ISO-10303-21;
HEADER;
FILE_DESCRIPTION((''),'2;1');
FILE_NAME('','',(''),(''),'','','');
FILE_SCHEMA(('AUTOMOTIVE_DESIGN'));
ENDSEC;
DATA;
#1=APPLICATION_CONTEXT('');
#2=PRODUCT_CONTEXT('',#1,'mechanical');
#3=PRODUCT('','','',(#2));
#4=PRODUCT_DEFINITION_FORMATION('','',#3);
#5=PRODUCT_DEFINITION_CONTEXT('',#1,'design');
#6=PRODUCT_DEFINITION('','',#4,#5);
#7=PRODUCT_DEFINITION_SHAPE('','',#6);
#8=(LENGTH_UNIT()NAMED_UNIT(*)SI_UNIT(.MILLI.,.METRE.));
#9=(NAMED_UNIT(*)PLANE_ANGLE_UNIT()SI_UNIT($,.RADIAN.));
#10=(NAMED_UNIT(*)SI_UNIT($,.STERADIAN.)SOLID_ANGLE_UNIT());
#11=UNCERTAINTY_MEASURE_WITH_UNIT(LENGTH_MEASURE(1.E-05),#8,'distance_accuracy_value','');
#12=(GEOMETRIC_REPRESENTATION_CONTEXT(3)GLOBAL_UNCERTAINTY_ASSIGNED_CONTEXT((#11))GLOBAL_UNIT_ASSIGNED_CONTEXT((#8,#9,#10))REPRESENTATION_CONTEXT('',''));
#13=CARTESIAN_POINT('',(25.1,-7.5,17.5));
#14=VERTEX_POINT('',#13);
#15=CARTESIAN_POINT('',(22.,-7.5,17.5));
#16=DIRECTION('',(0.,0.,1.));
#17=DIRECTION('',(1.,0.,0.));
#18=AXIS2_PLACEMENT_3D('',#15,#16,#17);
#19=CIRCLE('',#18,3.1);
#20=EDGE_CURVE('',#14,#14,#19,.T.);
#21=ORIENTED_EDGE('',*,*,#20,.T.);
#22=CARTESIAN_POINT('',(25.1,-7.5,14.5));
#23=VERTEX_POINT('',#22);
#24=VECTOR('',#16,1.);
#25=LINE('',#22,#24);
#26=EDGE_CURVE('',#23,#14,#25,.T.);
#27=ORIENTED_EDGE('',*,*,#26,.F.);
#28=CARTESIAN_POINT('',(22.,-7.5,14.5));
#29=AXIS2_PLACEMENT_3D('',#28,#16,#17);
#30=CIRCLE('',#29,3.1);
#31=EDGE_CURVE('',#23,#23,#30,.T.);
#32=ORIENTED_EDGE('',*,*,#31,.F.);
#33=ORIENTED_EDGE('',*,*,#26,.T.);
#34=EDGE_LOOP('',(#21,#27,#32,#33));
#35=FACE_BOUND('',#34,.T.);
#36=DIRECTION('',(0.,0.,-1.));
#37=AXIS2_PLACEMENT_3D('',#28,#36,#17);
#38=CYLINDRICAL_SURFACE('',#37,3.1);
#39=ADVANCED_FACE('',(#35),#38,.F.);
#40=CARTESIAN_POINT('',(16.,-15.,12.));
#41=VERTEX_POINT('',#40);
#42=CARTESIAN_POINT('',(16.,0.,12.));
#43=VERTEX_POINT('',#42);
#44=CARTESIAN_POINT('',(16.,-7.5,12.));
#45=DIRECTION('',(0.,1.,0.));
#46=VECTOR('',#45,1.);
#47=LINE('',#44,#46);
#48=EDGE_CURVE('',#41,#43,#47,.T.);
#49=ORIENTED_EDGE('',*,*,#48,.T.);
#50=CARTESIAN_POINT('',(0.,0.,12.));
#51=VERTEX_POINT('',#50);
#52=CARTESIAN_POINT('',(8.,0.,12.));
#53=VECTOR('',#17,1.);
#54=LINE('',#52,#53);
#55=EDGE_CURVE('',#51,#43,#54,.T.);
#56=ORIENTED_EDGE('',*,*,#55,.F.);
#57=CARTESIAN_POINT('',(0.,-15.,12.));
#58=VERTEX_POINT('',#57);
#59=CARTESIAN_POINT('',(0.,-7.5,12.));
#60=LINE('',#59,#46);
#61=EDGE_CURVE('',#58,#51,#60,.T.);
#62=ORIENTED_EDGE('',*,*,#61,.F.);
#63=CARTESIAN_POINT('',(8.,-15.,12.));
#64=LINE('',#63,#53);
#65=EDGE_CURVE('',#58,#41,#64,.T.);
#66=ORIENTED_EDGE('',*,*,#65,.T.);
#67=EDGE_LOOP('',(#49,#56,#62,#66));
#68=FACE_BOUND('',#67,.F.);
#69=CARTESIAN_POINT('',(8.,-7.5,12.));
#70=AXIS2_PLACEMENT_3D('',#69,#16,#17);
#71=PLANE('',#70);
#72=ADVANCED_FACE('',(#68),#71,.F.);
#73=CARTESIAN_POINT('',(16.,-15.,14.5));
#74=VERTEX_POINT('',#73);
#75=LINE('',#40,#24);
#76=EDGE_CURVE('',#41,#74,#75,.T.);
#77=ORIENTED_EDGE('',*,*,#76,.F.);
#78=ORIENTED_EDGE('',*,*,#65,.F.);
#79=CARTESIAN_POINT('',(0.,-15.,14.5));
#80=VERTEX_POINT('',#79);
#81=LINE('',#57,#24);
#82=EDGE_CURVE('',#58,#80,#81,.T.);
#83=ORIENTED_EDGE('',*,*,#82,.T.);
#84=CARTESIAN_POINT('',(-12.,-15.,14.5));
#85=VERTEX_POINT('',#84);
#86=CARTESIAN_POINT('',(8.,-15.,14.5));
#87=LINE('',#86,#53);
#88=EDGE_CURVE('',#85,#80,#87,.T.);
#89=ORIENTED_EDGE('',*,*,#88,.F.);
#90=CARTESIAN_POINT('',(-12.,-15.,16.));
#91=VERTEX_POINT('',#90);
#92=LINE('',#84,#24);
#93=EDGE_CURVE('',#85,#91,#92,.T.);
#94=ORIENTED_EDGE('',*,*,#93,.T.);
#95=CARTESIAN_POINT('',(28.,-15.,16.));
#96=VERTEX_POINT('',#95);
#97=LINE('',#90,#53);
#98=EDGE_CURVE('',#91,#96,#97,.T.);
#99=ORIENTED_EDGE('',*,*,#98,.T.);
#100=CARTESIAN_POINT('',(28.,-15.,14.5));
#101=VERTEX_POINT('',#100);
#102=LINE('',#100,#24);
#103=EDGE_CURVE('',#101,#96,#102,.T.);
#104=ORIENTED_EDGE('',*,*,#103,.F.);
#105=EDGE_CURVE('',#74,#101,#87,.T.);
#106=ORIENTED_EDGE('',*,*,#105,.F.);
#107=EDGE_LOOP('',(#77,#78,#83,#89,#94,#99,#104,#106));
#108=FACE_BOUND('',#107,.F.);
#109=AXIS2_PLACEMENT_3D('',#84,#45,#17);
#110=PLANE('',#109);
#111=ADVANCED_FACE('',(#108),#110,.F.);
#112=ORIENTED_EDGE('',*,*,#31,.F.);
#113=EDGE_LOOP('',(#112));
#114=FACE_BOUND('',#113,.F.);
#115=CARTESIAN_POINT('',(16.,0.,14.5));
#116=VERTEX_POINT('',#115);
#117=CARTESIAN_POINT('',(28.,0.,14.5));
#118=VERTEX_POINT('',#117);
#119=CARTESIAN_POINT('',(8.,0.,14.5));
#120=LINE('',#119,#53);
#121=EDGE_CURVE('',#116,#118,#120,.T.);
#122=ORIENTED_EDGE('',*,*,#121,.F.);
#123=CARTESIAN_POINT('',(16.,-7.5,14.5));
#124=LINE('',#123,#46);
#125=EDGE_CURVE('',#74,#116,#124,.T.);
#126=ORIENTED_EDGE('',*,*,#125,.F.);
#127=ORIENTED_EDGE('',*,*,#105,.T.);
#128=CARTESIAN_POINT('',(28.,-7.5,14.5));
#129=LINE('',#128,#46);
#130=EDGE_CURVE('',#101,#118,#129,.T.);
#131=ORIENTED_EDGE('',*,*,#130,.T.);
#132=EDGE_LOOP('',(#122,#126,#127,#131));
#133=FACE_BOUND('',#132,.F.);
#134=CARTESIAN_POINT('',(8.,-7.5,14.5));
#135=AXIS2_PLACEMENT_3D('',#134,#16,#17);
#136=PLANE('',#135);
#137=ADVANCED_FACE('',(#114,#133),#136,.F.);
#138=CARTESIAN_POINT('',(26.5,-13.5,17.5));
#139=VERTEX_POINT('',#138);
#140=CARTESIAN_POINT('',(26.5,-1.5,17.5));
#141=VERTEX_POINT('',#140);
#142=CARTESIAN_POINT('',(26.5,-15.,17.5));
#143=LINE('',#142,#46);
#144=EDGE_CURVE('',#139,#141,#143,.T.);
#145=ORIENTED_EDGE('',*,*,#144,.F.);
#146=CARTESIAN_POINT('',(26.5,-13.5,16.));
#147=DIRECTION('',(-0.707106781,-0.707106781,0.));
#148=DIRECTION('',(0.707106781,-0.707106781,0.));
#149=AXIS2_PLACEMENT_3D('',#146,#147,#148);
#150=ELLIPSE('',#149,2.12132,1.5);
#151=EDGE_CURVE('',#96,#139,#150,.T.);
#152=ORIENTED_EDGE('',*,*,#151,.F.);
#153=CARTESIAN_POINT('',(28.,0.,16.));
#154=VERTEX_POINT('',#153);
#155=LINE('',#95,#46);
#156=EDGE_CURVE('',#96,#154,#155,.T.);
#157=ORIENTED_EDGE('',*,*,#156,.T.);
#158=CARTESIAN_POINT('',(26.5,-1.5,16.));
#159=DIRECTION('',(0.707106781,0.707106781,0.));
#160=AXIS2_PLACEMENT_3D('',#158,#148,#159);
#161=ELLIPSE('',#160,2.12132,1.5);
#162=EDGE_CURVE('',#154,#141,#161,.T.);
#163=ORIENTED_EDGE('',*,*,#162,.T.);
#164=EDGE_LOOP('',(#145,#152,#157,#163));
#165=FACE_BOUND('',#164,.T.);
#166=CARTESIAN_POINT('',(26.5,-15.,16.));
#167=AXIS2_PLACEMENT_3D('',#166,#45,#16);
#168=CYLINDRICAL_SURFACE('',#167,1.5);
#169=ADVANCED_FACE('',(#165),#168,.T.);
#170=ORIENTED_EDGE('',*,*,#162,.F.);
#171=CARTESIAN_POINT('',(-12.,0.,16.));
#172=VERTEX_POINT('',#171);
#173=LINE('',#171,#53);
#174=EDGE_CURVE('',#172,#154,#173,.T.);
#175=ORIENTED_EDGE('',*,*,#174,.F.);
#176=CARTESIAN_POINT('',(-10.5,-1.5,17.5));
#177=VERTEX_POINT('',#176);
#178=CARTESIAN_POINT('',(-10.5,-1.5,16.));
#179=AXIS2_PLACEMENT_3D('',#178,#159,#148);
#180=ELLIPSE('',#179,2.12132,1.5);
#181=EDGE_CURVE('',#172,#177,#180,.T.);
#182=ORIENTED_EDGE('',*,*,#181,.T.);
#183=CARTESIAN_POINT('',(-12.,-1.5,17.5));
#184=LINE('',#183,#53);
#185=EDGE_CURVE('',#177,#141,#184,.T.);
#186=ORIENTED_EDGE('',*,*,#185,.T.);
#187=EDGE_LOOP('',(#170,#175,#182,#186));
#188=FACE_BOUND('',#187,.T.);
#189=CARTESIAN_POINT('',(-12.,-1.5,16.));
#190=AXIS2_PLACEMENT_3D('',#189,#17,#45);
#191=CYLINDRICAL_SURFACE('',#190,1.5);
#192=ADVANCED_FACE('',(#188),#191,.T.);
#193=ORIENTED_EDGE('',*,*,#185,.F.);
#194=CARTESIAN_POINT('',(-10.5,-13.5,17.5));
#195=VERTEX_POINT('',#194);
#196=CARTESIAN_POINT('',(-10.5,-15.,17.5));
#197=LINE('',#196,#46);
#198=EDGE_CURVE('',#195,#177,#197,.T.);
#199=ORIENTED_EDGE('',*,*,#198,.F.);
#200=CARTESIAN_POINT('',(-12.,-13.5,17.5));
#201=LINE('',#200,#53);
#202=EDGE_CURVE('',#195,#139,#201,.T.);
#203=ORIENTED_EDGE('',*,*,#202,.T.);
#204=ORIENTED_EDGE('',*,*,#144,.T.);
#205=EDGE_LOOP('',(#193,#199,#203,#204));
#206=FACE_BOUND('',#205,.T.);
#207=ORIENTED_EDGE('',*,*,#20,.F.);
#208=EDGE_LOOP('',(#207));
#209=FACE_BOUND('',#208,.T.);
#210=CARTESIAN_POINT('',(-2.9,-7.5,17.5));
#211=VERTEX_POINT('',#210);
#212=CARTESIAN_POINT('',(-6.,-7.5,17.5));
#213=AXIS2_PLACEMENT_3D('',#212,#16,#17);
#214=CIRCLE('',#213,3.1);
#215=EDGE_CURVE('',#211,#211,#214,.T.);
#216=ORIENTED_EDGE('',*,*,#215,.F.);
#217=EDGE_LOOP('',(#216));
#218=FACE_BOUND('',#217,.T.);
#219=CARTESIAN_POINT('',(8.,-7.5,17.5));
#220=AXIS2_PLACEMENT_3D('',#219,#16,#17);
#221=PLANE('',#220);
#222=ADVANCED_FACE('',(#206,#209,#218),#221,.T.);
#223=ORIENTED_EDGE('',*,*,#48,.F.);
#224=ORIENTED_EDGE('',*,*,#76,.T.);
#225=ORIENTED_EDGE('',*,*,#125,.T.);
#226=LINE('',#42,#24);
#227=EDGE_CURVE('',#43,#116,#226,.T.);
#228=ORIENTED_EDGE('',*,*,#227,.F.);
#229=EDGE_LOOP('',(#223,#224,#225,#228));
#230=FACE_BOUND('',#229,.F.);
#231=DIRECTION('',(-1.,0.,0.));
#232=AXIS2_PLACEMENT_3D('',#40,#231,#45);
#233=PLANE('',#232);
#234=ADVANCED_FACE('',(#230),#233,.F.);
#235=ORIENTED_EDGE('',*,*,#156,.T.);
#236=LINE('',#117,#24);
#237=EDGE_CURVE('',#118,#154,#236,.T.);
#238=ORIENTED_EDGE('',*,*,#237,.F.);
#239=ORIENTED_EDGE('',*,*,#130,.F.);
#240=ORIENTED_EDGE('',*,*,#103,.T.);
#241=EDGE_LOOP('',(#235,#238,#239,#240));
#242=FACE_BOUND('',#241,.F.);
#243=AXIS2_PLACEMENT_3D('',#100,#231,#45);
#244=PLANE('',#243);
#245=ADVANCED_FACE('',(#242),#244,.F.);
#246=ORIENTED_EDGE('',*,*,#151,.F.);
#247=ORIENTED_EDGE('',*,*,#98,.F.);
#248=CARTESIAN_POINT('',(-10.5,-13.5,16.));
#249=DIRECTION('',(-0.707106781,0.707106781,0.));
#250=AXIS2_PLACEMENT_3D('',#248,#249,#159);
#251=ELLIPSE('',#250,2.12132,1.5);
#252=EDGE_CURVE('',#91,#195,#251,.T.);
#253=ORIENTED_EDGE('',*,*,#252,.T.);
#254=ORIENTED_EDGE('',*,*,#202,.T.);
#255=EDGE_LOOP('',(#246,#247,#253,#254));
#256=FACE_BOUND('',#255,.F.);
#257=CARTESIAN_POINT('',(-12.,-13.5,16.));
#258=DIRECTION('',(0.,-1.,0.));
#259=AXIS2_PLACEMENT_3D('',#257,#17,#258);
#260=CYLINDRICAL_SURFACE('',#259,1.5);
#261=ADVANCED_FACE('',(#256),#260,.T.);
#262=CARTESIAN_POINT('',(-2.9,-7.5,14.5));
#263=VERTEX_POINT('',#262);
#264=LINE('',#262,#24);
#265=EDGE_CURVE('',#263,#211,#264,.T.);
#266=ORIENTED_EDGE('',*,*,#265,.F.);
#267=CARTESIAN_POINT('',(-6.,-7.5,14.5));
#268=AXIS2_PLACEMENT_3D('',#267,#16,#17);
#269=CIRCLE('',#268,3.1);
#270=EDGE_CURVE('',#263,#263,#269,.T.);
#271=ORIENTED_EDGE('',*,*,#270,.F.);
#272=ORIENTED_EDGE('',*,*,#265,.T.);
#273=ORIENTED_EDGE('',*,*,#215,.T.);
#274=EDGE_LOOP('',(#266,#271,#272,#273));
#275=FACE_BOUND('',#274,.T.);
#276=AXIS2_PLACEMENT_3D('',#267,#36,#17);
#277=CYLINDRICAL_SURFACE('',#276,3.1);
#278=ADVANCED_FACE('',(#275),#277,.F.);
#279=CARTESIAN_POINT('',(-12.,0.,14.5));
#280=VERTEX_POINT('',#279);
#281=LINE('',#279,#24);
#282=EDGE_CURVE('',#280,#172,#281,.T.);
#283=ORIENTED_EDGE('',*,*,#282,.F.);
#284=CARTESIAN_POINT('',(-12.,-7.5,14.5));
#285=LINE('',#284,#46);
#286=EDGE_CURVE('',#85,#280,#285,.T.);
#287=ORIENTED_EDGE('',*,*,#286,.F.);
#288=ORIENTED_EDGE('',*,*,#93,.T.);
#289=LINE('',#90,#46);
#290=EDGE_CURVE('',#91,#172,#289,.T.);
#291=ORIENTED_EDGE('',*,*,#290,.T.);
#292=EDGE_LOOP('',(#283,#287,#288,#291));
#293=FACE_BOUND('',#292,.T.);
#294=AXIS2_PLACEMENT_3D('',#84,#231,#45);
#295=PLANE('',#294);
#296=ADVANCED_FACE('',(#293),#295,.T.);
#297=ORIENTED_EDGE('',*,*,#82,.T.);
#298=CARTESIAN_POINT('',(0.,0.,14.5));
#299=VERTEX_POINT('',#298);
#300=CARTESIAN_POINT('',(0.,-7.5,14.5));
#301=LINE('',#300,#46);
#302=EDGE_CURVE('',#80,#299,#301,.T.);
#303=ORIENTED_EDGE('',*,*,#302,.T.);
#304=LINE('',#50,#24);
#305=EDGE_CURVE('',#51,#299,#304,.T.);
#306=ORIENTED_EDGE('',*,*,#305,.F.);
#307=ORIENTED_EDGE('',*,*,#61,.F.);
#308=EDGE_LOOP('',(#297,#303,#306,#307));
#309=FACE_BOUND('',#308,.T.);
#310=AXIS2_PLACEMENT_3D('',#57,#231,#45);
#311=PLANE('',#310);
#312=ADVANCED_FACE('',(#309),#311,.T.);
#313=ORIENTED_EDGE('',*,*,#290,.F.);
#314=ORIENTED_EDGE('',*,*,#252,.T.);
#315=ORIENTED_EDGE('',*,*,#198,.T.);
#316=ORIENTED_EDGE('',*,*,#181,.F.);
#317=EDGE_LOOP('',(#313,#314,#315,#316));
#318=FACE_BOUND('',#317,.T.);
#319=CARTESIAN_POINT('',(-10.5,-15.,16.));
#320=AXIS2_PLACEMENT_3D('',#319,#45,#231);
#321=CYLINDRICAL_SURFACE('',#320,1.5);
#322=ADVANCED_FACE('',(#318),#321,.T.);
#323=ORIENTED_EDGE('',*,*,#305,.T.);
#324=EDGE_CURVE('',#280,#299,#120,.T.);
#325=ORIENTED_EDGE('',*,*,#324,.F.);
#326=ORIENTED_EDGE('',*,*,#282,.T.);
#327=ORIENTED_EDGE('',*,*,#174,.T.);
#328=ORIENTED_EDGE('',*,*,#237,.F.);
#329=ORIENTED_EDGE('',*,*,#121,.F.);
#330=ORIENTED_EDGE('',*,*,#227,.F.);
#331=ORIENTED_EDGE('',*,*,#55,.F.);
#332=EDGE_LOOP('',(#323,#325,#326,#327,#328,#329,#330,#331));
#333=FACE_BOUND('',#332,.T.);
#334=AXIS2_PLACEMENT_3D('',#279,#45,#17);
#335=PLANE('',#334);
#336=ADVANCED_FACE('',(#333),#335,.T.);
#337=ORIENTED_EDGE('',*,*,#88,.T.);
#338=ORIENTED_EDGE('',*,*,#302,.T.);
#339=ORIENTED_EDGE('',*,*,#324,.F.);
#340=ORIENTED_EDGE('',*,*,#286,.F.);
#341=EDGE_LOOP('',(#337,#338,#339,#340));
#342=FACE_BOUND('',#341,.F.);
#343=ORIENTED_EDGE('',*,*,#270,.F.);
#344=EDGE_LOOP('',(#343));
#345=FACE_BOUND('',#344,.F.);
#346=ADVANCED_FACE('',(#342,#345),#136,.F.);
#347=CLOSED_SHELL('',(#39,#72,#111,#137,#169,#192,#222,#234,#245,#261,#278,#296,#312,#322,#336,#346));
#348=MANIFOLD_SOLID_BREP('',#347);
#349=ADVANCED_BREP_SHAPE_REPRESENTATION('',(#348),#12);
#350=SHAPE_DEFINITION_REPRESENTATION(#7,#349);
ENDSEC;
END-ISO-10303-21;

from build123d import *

# Parameters (mm, degrees)
SKETCH003_W  = 16
SKETCH003_H  = 15
PAD_DEPTH    = 2.5
SKETCH_W     = 40
SKETCH_H     = 15
SKETCH_R     = 3.1
PAD001_DEPTH = 3
FILLET_R     = 1.5


with BuildPart() as part:
    # Sketch003 → Pad (new body)
    with BuildSketch(Plane.XY.offset(12)):
        with Locations((8, -7.5)):
            Rectangle(SKETCH003_W, SKETCH003_H)
    extrude(amount=PAD_DEPTH)

    # Sketch → Pad001 (new body)
    with BuildSketch(Plane.XY.offset(14.5)):
        with Locations((8, -7.5)):
            Rectangle(SKETCH_W, SKETCH_H)
        with Locations((-6, -7.5)):
            Circle(SKETCH_R, mode=Mode.SUBTRACT)
        with Locations((22, -7.5)):
            Circle(SKETCH_R, mode=Mode.SUBTRACT)
    extrude(amount=PAD001_DEPTH)

    # Fillet
    fillet_edges = [part.edges().sort_by_distance(p)[0] for p in [
        (8, 0, 17.5),
        (8, -15, 17.5),
        (-12, -7.5, 17.5),
        (28, -7.5, 17.5),
    ]]
    fillet(fillet_edges, radius=FILLET_R)


solid = part.part
